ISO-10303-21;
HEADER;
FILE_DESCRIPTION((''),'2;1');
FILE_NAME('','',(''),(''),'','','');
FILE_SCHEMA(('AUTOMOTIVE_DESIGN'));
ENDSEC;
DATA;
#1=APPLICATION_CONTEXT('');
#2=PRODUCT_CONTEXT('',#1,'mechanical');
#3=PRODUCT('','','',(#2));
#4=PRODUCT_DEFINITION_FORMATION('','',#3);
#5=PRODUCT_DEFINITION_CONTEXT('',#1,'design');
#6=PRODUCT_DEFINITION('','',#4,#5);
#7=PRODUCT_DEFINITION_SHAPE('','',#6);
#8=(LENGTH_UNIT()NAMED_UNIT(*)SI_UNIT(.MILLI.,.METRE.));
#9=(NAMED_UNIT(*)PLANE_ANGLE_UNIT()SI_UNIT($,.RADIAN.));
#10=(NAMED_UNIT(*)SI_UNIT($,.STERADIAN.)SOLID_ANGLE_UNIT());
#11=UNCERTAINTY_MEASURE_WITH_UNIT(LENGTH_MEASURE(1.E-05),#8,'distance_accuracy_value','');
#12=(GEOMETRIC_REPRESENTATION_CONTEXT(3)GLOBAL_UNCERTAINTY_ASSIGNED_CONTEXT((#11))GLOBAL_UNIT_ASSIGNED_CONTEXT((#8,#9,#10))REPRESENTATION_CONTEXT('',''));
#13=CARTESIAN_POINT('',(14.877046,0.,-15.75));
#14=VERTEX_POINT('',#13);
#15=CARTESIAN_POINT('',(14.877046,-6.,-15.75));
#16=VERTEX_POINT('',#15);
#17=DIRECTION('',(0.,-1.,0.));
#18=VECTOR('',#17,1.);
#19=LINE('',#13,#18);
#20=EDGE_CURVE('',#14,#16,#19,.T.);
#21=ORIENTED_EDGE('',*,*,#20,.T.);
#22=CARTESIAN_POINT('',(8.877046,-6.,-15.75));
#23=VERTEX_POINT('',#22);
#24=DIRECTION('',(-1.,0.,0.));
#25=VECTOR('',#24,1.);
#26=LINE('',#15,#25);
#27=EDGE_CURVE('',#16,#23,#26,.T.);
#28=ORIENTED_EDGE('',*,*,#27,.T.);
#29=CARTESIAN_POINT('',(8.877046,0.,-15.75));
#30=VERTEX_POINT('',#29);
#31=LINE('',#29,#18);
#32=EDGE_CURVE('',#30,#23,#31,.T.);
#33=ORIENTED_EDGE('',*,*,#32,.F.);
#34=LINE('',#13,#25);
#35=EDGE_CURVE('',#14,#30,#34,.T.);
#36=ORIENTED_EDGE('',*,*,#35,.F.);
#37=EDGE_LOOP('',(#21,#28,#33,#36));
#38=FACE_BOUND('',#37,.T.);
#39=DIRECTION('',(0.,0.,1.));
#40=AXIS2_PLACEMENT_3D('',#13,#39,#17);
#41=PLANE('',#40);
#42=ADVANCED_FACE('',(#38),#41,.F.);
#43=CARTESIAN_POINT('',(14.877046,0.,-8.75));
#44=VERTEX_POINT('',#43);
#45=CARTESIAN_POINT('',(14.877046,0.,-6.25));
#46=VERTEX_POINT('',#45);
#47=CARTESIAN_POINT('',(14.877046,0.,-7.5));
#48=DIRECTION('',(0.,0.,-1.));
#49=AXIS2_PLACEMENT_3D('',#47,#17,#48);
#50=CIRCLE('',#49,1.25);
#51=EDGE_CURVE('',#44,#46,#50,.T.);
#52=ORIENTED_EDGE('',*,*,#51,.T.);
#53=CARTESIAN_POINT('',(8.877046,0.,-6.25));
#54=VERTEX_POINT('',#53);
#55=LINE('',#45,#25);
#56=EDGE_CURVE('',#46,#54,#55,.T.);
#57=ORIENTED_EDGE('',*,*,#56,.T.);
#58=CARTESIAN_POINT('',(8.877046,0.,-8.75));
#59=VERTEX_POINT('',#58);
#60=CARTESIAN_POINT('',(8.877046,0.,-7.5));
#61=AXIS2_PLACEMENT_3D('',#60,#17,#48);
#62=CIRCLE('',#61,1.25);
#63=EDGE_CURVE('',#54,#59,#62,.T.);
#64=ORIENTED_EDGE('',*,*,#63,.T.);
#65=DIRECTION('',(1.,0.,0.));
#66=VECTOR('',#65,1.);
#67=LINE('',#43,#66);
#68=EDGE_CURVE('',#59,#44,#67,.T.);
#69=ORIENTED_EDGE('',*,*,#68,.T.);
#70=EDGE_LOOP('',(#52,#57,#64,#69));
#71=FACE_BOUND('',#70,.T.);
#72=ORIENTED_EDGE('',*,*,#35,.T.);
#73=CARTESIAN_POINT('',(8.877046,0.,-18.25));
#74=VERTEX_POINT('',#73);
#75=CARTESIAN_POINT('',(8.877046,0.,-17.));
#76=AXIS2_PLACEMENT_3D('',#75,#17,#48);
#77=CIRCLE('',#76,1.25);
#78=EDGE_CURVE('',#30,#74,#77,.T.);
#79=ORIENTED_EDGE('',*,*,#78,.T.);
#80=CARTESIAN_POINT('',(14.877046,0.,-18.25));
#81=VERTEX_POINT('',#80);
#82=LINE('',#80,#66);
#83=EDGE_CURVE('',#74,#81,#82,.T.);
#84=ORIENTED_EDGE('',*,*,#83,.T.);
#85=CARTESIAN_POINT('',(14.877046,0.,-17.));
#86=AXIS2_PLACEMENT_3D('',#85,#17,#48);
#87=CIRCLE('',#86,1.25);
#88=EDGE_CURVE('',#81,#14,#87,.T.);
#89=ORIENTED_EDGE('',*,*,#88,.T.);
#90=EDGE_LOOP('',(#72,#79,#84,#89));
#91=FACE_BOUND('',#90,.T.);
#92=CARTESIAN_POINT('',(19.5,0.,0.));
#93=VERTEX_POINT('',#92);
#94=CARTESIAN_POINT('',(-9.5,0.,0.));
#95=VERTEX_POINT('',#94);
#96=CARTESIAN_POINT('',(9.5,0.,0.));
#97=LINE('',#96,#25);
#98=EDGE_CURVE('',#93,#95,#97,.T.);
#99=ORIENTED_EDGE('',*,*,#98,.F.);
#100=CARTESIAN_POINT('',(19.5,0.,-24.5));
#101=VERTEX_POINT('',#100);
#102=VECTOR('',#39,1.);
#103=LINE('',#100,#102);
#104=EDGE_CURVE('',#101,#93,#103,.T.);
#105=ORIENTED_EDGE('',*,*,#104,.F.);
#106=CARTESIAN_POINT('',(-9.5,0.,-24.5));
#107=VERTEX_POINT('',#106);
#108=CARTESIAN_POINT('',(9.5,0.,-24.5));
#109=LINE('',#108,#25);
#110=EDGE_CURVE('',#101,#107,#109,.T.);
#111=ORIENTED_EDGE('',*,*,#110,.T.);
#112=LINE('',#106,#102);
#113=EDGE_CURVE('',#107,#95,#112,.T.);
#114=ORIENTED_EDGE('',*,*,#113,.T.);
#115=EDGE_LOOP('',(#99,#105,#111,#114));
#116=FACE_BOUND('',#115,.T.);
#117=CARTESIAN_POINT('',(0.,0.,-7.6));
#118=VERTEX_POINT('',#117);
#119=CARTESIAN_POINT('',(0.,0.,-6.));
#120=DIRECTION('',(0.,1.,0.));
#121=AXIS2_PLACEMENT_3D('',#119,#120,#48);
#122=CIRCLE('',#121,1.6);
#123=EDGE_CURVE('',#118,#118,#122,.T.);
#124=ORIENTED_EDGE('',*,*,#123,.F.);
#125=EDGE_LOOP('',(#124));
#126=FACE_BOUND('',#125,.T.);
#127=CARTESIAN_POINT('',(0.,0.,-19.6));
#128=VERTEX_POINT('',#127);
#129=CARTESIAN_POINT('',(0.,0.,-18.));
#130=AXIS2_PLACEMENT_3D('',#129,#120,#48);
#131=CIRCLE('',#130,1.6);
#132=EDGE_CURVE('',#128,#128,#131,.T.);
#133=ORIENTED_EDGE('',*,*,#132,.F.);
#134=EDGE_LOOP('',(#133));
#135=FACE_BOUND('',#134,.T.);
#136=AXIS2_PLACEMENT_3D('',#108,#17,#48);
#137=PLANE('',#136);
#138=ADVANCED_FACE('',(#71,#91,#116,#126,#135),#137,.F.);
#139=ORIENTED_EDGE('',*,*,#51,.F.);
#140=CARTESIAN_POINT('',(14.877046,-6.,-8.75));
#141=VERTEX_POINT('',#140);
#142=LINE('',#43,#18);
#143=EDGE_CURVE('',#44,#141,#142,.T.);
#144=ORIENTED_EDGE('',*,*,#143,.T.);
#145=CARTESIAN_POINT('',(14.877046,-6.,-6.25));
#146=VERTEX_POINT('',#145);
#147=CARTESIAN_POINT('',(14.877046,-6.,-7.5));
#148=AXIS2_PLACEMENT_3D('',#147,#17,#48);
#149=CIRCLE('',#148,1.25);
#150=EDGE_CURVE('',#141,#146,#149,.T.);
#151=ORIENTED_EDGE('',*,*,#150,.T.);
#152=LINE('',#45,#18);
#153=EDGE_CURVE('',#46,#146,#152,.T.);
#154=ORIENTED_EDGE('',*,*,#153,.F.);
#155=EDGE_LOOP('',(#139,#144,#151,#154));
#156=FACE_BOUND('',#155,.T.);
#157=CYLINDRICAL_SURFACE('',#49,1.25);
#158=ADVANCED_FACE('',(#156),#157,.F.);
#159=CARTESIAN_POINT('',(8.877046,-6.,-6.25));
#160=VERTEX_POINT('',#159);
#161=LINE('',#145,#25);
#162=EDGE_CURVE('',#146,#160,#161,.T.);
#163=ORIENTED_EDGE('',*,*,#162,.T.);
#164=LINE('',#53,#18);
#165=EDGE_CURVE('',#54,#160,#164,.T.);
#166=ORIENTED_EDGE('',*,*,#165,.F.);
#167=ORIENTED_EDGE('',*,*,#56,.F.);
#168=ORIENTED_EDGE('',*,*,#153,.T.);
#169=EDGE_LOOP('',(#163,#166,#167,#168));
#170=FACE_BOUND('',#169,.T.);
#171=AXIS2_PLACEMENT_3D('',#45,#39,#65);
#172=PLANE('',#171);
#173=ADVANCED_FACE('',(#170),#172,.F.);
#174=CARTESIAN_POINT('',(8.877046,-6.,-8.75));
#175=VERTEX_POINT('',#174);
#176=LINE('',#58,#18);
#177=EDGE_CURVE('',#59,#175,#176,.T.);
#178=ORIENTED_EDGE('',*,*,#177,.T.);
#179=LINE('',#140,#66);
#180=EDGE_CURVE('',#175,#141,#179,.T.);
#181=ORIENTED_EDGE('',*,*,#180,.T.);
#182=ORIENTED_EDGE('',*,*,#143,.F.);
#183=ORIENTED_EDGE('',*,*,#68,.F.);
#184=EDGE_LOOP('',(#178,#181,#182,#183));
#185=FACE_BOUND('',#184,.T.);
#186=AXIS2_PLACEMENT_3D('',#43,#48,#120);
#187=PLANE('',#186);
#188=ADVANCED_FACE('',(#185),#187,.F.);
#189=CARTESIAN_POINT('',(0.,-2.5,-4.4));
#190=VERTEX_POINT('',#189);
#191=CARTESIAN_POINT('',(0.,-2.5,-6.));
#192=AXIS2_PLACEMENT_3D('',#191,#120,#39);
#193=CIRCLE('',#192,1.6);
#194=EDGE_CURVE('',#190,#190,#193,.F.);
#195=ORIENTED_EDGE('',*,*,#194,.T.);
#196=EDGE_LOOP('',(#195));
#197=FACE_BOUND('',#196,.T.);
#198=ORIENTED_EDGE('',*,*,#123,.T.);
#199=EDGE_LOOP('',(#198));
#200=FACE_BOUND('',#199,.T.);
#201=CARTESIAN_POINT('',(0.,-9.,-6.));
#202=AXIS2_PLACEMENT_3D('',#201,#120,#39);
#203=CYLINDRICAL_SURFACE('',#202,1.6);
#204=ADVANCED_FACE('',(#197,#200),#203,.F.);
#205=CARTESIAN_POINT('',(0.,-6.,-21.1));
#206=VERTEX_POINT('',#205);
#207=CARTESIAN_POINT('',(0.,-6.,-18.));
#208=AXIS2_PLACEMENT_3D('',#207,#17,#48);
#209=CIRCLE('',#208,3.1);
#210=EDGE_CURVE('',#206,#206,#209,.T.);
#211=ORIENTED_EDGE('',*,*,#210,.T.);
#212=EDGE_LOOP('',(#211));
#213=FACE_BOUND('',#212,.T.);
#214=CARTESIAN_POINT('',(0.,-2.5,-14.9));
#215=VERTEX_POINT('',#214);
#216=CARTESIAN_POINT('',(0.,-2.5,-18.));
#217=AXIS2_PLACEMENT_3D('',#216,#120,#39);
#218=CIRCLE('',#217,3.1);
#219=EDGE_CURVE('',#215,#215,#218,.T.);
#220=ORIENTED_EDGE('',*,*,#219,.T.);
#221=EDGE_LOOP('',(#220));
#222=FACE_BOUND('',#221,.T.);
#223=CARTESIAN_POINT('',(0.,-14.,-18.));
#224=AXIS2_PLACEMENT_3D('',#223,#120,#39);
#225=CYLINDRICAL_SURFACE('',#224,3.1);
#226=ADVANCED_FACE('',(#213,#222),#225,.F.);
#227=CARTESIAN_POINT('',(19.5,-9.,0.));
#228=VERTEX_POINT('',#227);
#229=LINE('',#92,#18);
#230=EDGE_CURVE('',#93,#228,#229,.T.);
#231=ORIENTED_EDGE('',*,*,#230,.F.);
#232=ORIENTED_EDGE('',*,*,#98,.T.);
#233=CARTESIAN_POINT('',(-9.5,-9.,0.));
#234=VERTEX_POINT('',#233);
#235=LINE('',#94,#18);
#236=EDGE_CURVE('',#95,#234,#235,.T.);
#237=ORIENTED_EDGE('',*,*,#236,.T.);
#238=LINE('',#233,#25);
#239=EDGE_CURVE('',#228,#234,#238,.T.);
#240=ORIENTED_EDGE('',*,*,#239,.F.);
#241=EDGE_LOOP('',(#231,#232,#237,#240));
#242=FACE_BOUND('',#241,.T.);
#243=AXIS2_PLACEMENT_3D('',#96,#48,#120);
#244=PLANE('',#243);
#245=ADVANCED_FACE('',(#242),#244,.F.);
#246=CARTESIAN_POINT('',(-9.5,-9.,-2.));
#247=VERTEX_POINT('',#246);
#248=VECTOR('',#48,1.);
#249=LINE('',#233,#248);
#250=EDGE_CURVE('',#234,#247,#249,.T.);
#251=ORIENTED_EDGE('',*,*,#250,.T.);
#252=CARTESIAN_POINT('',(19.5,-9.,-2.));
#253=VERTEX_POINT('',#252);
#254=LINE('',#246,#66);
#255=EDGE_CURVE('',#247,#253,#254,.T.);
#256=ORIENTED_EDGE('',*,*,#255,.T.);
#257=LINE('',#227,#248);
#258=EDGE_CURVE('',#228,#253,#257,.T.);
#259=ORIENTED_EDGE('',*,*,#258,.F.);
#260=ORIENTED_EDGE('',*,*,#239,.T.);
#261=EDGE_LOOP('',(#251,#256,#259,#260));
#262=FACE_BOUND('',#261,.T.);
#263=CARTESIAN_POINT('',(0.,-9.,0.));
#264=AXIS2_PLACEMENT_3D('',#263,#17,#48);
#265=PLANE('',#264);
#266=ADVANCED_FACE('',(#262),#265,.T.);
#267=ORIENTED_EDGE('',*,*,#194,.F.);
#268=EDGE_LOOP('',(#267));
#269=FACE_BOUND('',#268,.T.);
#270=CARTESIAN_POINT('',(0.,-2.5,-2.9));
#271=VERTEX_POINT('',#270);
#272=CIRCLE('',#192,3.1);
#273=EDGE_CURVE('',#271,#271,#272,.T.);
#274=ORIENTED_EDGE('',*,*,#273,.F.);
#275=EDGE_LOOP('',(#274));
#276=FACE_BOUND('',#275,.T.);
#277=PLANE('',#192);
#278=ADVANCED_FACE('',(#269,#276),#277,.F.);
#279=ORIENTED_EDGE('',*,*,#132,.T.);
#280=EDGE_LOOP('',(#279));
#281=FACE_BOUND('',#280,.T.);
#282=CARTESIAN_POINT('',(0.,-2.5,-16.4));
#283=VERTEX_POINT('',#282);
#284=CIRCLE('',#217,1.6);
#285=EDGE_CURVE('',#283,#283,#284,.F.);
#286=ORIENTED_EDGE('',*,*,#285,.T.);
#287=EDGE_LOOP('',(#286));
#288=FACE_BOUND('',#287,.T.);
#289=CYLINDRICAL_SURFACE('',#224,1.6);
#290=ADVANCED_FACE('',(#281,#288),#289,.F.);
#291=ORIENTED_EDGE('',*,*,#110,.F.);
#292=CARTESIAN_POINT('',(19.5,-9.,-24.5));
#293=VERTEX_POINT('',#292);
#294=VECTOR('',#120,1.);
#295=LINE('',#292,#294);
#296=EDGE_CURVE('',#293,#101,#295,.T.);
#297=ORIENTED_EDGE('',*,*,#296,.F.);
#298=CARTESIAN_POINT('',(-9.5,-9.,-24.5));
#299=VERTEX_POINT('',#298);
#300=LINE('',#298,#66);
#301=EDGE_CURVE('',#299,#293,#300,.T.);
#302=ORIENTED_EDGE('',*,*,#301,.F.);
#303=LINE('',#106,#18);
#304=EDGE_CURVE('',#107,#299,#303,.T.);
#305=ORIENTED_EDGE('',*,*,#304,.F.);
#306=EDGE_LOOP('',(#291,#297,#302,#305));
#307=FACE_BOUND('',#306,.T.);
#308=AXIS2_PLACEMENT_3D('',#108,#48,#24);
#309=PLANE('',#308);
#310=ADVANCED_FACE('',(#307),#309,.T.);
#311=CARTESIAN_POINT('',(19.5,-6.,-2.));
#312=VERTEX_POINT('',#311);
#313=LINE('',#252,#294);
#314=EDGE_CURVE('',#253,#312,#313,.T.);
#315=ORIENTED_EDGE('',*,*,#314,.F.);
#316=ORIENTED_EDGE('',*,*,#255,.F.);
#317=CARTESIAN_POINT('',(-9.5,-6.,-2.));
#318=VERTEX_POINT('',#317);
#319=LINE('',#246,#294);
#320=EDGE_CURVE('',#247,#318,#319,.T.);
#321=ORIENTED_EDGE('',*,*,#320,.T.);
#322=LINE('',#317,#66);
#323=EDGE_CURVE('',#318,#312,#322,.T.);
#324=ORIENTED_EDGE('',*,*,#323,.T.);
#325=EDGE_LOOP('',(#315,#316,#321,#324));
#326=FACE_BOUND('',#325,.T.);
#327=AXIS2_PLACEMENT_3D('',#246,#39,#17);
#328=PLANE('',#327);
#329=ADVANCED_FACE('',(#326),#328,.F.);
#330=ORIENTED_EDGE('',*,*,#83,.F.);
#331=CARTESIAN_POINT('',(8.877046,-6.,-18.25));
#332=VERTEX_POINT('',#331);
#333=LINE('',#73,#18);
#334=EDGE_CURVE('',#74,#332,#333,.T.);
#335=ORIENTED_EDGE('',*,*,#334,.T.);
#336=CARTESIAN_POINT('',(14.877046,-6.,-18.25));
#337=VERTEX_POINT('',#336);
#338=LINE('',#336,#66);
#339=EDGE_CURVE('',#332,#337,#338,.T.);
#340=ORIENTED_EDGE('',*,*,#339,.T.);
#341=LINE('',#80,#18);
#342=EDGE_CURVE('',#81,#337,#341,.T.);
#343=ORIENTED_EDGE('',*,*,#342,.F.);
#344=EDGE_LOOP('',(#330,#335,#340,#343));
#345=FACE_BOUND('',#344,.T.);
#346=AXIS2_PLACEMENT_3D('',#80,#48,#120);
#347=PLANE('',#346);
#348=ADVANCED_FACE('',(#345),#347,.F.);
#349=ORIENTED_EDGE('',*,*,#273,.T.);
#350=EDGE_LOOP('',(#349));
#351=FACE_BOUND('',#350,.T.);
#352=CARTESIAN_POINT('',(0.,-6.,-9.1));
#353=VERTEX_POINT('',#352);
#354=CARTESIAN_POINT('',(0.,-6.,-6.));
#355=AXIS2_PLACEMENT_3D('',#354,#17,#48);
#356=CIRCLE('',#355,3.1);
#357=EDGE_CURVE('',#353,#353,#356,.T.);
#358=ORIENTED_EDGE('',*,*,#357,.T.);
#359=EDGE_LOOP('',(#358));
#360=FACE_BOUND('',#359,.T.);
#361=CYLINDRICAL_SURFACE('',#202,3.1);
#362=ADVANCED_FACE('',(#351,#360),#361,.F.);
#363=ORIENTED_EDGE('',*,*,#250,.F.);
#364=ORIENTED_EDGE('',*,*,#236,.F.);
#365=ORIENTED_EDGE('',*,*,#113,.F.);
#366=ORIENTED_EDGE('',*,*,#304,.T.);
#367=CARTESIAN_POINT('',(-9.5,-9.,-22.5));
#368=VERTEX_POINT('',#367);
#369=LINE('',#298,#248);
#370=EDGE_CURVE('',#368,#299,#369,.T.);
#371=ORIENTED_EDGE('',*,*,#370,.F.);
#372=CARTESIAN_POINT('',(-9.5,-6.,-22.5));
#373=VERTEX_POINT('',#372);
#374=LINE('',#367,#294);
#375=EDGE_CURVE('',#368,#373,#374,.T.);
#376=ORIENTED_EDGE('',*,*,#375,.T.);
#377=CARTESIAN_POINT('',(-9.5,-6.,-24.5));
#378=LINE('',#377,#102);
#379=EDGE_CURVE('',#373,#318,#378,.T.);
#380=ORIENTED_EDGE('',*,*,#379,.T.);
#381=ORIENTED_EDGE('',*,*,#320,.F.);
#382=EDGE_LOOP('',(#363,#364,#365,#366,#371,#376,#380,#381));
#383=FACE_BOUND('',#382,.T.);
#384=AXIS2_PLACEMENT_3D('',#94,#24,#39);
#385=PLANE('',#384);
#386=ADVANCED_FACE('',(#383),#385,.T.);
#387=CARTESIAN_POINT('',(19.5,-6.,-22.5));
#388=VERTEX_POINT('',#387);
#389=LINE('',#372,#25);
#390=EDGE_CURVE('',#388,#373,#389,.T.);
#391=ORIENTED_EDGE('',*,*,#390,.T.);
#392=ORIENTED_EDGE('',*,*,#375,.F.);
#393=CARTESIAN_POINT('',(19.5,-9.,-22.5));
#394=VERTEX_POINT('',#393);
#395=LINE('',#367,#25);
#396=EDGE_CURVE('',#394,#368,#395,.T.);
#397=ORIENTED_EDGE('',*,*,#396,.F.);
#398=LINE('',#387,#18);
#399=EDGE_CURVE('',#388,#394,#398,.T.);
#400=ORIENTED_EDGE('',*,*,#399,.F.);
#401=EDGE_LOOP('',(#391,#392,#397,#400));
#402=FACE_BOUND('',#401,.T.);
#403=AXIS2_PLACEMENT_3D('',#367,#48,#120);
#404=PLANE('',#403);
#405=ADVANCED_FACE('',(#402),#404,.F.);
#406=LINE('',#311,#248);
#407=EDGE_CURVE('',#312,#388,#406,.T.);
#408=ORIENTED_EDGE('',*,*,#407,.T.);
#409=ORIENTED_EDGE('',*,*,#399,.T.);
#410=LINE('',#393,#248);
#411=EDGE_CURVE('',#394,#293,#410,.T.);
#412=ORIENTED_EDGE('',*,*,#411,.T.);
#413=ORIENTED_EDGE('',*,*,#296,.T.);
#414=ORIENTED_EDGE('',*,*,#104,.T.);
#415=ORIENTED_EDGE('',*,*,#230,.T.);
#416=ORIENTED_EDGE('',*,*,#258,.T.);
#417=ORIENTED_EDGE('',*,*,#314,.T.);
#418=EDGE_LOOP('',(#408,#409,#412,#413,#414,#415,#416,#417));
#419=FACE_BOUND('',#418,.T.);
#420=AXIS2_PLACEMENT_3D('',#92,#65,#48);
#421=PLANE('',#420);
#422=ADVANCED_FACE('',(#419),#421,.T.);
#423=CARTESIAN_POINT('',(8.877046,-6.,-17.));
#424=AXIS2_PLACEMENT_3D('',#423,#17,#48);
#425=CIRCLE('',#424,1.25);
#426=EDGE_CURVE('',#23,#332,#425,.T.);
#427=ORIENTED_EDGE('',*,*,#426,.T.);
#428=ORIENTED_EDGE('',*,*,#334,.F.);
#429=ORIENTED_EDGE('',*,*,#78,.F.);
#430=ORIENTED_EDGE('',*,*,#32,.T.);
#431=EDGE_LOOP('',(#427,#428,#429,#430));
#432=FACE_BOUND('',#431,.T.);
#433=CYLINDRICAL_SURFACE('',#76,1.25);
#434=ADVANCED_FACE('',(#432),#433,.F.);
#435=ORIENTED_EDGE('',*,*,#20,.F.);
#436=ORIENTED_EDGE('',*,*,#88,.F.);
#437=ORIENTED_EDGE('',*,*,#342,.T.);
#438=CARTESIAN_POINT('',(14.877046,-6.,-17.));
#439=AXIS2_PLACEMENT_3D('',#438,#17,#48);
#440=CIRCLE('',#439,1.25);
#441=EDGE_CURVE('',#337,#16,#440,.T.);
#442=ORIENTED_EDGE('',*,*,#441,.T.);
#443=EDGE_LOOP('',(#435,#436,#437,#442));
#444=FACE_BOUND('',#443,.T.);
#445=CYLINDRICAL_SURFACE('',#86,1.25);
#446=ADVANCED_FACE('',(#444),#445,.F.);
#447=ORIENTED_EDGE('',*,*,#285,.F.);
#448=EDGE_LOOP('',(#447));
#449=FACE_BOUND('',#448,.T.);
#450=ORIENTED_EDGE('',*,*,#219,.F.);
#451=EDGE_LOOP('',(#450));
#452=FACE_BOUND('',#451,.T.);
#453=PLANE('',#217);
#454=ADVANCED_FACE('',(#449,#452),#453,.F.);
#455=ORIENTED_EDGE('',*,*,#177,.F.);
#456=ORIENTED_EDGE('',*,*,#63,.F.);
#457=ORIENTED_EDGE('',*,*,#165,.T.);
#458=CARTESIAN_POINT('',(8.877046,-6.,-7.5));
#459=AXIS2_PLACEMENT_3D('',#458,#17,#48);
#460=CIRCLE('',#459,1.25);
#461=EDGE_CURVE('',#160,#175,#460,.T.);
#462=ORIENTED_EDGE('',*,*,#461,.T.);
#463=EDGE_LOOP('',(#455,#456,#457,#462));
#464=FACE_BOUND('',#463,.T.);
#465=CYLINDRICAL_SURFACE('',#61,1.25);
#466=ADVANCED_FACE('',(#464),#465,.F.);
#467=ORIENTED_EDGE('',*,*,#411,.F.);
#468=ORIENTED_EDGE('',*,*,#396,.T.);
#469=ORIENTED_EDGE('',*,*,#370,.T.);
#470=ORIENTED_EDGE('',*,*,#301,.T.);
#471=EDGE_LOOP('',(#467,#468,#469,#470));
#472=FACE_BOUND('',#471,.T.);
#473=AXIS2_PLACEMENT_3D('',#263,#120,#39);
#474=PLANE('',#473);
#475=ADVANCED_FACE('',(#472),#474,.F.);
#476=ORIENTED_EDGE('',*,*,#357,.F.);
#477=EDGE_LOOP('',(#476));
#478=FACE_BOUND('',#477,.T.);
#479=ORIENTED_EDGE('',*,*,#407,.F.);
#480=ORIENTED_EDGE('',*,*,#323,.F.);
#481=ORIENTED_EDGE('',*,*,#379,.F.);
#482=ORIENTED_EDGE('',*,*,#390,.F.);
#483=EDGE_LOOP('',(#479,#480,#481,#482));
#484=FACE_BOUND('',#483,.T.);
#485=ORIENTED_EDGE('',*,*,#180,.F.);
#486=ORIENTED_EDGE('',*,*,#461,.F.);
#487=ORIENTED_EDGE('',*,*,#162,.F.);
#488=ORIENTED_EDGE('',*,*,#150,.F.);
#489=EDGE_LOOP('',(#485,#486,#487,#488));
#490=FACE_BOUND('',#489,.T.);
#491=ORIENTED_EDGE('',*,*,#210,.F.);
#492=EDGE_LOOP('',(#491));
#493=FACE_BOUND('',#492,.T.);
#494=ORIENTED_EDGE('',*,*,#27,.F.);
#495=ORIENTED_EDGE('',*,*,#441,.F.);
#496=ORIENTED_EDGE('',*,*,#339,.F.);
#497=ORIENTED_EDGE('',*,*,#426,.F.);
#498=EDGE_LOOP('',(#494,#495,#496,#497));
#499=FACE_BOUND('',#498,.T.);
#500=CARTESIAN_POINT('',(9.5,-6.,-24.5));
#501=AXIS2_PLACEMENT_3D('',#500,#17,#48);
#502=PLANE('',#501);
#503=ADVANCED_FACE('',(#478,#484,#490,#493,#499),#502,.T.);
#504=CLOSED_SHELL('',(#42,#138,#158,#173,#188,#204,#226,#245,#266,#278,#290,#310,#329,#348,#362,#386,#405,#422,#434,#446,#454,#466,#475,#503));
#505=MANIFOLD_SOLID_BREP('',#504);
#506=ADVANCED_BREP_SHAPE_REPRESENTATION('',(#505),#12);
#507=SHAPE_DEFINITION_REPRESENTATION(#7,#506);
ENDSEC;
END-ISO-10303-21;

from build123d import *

# Parameters (mm, degrees)
EXTRU_MINCE1_DEPTH      = 9.5
ESQUISSE2_R             = 1.6
ENL_V_MAT_EXTRU_1_DEPTH = 30.774149862
ENL_V_START             = -2.5
ESQUISSE4_R             = 3.1
ENL_V_MAT_EXTRU_3_DEPTH = 28.274149862
SKETCH2_W               = 19
SKETCH2_H               = 8
CUT_EXTRUDE2_DEPTH      = 26.069902273
SKETCH4_W               = 19
SKETCH4_H               = 2
BOSS_EXTRUDE2_DEPTH     = 3
BOSS_EXTRUDE3_DEPTH     = 10
LPATTERN1_COUNT         = 2
LPATTERN1_PITCH         = 12
SKETCH8_R               = 1.25
CUT_EXTRUDE7_DEPTH      = 32.882597134
CUT_EXTRUDE8_DEPTH      = 32.882597134


with BuildPart() as part:
    # Esquisse1 → Extru.-Mince1 (new, symmetric)
    with BuildSketch(Plane(origin=(0, 0, 0), x_dir=(0, 0, -1), z_dir=(1, 0, 0))):
        Polygon((24.5, 0), (0, 0), (0, -14), (6, -14), (6, -6), (24.5, -6), align=None)
    extrude(amount=EXTRU_MINCE1_DEPTH, both=True)

    # Esquisse2 → Enlèv. mat.-Extru.1 (cut, through all)
    with BuildSketch(Plane(origin=(0, 0, 0), x_dir=(1, 0, 0), z_dir=(0, 1, 0))):
        with Locations((0, 18)):
            Circle(ESQUISSE2_R)
    enl_v_mat_extru_1 = extrude(amount=-ENL_V_MAT_EXTRU_1_DEPTH, mode=Mode.SUBTRACT)

    # Esquisse4 → Enlèv. mat.-Extru.3 (cut, through all)
    with BuildSketch(Plane(origin=(0, 0, 0), x_dir=(1, 0, 0), z_dir=(0, 1, 0)).offset(ENL_V_START)):
        with Locations((0, 18)):
            Circle(ESQUISSE4_R)
    enl_v_mat_extru_3 = extrude(amount=-ENL_V_MAT_EXTRU_3_DEPTH, mode=Mode.SUBTRACT)

    # Sketch2 → Cut-Extrude2 (cut, through all)
    with BuildSketch(Plane(origin=(0, 0, -6), x_dir=(-1, 0, 0), z_dir=(0, 0, -1))):
        with Locations((0, -10)):
            Rectangle(SKETCH2_W, SKETCH2_H)
    extrude(amount=-CUT_EXTRUDE2_DEPTH, mode=Mode.SUBTRACT)

    # Sketch4 → Boss-Extrude2 (add)
    with BuildSketch(Plane.XZ.offset(6)):
        with Locations((0, -1)):
            Rectangle(SKETCH4_W, SKETCH4_H)
        with Locations((0, -23.5)):
            Rectangle(SKETCH4_W, SKETCH4_H)
    extrude(amount=BOSS_EXTRUDE2_DEPTH)

    # Sketch5 → Boss-Extrude3 (add)
    with BuildSketch(Plane(origin=(9.5, 0, 0), x_dir=(0, 0, -1), z_dir=(1, 0, 0))):
        Polygon((0, 0), (0, -9), (2, -9), (2, -6), (22.5, -6), (22.5, -9), (24.5, -9), (24.5, 0), align=None)
    extrude(amount=BOSS_EXTRUDE3_DEPTH)

    # LPattern1: Enlèv. mat.-Extru.1, Enlèv. mat.-Extru.3 ×2
    with Locations(*[(0, 0, i * LPATTERN1_PITCH) for i in range(1, LPATTERN1_COUNT)]):
        add(enl_v_mat_extru_1, mode=Mode.SUBTRACT)
        add(enl_v_mat_extru_3, mode=Mode.SUBTRACT)

    # Sketch8 → Cut-Extrude7 (cut, through all)
    with BuildSketch(Plane.XZ.offset(6)):
        with Locations((14.877046193, -17)):
            Circle(SKETCH8_R)
        with Locations((14.877046193, -7.5)):
            Circle(SKETCH8_R)
    extrude(amount=-CUT_EXTRUDE7_DEPTH, mode=Mode.SUBTRACT)

    # Sketch9 → Cut-Extrude8 (cut, through all)
    with BuildSketch(Plane.XZ.offset(6)):
        with BuildLine():
            Line((14.877046193, -8.75), (8.877046193, -8.75))
            ThreePointArc((8.877046193, -8.75), (7.627046193, -7.5), (8.877046193, -6.25))
            Line((8.877046193, -6.25), (14.877046193, -6.25))
            ThreePointArc((14.877046193, -6.25), (16.127046193, -7.5), (14.877046193, -8.75))
        make_face()
        with BuildLine():
            Line((14.877046193, -18.25), (8.877046193, -18.25))
            ThreePointArc((8.877046193, -18.25), (7.627046193, -17), (8.877046193, -15.75))
            Line((8.877046193, -15.75), (14.877046193, -15.75))
            ThreePointArc((14.877046193, -15.75), (16.127046193, -17), (14.877046193, -18.25))
        make_face()
    extrude(amount=-CUT_EXTRUDE8_DEPTH, mode=Mode.SUBTRACT)


solid = part.part
